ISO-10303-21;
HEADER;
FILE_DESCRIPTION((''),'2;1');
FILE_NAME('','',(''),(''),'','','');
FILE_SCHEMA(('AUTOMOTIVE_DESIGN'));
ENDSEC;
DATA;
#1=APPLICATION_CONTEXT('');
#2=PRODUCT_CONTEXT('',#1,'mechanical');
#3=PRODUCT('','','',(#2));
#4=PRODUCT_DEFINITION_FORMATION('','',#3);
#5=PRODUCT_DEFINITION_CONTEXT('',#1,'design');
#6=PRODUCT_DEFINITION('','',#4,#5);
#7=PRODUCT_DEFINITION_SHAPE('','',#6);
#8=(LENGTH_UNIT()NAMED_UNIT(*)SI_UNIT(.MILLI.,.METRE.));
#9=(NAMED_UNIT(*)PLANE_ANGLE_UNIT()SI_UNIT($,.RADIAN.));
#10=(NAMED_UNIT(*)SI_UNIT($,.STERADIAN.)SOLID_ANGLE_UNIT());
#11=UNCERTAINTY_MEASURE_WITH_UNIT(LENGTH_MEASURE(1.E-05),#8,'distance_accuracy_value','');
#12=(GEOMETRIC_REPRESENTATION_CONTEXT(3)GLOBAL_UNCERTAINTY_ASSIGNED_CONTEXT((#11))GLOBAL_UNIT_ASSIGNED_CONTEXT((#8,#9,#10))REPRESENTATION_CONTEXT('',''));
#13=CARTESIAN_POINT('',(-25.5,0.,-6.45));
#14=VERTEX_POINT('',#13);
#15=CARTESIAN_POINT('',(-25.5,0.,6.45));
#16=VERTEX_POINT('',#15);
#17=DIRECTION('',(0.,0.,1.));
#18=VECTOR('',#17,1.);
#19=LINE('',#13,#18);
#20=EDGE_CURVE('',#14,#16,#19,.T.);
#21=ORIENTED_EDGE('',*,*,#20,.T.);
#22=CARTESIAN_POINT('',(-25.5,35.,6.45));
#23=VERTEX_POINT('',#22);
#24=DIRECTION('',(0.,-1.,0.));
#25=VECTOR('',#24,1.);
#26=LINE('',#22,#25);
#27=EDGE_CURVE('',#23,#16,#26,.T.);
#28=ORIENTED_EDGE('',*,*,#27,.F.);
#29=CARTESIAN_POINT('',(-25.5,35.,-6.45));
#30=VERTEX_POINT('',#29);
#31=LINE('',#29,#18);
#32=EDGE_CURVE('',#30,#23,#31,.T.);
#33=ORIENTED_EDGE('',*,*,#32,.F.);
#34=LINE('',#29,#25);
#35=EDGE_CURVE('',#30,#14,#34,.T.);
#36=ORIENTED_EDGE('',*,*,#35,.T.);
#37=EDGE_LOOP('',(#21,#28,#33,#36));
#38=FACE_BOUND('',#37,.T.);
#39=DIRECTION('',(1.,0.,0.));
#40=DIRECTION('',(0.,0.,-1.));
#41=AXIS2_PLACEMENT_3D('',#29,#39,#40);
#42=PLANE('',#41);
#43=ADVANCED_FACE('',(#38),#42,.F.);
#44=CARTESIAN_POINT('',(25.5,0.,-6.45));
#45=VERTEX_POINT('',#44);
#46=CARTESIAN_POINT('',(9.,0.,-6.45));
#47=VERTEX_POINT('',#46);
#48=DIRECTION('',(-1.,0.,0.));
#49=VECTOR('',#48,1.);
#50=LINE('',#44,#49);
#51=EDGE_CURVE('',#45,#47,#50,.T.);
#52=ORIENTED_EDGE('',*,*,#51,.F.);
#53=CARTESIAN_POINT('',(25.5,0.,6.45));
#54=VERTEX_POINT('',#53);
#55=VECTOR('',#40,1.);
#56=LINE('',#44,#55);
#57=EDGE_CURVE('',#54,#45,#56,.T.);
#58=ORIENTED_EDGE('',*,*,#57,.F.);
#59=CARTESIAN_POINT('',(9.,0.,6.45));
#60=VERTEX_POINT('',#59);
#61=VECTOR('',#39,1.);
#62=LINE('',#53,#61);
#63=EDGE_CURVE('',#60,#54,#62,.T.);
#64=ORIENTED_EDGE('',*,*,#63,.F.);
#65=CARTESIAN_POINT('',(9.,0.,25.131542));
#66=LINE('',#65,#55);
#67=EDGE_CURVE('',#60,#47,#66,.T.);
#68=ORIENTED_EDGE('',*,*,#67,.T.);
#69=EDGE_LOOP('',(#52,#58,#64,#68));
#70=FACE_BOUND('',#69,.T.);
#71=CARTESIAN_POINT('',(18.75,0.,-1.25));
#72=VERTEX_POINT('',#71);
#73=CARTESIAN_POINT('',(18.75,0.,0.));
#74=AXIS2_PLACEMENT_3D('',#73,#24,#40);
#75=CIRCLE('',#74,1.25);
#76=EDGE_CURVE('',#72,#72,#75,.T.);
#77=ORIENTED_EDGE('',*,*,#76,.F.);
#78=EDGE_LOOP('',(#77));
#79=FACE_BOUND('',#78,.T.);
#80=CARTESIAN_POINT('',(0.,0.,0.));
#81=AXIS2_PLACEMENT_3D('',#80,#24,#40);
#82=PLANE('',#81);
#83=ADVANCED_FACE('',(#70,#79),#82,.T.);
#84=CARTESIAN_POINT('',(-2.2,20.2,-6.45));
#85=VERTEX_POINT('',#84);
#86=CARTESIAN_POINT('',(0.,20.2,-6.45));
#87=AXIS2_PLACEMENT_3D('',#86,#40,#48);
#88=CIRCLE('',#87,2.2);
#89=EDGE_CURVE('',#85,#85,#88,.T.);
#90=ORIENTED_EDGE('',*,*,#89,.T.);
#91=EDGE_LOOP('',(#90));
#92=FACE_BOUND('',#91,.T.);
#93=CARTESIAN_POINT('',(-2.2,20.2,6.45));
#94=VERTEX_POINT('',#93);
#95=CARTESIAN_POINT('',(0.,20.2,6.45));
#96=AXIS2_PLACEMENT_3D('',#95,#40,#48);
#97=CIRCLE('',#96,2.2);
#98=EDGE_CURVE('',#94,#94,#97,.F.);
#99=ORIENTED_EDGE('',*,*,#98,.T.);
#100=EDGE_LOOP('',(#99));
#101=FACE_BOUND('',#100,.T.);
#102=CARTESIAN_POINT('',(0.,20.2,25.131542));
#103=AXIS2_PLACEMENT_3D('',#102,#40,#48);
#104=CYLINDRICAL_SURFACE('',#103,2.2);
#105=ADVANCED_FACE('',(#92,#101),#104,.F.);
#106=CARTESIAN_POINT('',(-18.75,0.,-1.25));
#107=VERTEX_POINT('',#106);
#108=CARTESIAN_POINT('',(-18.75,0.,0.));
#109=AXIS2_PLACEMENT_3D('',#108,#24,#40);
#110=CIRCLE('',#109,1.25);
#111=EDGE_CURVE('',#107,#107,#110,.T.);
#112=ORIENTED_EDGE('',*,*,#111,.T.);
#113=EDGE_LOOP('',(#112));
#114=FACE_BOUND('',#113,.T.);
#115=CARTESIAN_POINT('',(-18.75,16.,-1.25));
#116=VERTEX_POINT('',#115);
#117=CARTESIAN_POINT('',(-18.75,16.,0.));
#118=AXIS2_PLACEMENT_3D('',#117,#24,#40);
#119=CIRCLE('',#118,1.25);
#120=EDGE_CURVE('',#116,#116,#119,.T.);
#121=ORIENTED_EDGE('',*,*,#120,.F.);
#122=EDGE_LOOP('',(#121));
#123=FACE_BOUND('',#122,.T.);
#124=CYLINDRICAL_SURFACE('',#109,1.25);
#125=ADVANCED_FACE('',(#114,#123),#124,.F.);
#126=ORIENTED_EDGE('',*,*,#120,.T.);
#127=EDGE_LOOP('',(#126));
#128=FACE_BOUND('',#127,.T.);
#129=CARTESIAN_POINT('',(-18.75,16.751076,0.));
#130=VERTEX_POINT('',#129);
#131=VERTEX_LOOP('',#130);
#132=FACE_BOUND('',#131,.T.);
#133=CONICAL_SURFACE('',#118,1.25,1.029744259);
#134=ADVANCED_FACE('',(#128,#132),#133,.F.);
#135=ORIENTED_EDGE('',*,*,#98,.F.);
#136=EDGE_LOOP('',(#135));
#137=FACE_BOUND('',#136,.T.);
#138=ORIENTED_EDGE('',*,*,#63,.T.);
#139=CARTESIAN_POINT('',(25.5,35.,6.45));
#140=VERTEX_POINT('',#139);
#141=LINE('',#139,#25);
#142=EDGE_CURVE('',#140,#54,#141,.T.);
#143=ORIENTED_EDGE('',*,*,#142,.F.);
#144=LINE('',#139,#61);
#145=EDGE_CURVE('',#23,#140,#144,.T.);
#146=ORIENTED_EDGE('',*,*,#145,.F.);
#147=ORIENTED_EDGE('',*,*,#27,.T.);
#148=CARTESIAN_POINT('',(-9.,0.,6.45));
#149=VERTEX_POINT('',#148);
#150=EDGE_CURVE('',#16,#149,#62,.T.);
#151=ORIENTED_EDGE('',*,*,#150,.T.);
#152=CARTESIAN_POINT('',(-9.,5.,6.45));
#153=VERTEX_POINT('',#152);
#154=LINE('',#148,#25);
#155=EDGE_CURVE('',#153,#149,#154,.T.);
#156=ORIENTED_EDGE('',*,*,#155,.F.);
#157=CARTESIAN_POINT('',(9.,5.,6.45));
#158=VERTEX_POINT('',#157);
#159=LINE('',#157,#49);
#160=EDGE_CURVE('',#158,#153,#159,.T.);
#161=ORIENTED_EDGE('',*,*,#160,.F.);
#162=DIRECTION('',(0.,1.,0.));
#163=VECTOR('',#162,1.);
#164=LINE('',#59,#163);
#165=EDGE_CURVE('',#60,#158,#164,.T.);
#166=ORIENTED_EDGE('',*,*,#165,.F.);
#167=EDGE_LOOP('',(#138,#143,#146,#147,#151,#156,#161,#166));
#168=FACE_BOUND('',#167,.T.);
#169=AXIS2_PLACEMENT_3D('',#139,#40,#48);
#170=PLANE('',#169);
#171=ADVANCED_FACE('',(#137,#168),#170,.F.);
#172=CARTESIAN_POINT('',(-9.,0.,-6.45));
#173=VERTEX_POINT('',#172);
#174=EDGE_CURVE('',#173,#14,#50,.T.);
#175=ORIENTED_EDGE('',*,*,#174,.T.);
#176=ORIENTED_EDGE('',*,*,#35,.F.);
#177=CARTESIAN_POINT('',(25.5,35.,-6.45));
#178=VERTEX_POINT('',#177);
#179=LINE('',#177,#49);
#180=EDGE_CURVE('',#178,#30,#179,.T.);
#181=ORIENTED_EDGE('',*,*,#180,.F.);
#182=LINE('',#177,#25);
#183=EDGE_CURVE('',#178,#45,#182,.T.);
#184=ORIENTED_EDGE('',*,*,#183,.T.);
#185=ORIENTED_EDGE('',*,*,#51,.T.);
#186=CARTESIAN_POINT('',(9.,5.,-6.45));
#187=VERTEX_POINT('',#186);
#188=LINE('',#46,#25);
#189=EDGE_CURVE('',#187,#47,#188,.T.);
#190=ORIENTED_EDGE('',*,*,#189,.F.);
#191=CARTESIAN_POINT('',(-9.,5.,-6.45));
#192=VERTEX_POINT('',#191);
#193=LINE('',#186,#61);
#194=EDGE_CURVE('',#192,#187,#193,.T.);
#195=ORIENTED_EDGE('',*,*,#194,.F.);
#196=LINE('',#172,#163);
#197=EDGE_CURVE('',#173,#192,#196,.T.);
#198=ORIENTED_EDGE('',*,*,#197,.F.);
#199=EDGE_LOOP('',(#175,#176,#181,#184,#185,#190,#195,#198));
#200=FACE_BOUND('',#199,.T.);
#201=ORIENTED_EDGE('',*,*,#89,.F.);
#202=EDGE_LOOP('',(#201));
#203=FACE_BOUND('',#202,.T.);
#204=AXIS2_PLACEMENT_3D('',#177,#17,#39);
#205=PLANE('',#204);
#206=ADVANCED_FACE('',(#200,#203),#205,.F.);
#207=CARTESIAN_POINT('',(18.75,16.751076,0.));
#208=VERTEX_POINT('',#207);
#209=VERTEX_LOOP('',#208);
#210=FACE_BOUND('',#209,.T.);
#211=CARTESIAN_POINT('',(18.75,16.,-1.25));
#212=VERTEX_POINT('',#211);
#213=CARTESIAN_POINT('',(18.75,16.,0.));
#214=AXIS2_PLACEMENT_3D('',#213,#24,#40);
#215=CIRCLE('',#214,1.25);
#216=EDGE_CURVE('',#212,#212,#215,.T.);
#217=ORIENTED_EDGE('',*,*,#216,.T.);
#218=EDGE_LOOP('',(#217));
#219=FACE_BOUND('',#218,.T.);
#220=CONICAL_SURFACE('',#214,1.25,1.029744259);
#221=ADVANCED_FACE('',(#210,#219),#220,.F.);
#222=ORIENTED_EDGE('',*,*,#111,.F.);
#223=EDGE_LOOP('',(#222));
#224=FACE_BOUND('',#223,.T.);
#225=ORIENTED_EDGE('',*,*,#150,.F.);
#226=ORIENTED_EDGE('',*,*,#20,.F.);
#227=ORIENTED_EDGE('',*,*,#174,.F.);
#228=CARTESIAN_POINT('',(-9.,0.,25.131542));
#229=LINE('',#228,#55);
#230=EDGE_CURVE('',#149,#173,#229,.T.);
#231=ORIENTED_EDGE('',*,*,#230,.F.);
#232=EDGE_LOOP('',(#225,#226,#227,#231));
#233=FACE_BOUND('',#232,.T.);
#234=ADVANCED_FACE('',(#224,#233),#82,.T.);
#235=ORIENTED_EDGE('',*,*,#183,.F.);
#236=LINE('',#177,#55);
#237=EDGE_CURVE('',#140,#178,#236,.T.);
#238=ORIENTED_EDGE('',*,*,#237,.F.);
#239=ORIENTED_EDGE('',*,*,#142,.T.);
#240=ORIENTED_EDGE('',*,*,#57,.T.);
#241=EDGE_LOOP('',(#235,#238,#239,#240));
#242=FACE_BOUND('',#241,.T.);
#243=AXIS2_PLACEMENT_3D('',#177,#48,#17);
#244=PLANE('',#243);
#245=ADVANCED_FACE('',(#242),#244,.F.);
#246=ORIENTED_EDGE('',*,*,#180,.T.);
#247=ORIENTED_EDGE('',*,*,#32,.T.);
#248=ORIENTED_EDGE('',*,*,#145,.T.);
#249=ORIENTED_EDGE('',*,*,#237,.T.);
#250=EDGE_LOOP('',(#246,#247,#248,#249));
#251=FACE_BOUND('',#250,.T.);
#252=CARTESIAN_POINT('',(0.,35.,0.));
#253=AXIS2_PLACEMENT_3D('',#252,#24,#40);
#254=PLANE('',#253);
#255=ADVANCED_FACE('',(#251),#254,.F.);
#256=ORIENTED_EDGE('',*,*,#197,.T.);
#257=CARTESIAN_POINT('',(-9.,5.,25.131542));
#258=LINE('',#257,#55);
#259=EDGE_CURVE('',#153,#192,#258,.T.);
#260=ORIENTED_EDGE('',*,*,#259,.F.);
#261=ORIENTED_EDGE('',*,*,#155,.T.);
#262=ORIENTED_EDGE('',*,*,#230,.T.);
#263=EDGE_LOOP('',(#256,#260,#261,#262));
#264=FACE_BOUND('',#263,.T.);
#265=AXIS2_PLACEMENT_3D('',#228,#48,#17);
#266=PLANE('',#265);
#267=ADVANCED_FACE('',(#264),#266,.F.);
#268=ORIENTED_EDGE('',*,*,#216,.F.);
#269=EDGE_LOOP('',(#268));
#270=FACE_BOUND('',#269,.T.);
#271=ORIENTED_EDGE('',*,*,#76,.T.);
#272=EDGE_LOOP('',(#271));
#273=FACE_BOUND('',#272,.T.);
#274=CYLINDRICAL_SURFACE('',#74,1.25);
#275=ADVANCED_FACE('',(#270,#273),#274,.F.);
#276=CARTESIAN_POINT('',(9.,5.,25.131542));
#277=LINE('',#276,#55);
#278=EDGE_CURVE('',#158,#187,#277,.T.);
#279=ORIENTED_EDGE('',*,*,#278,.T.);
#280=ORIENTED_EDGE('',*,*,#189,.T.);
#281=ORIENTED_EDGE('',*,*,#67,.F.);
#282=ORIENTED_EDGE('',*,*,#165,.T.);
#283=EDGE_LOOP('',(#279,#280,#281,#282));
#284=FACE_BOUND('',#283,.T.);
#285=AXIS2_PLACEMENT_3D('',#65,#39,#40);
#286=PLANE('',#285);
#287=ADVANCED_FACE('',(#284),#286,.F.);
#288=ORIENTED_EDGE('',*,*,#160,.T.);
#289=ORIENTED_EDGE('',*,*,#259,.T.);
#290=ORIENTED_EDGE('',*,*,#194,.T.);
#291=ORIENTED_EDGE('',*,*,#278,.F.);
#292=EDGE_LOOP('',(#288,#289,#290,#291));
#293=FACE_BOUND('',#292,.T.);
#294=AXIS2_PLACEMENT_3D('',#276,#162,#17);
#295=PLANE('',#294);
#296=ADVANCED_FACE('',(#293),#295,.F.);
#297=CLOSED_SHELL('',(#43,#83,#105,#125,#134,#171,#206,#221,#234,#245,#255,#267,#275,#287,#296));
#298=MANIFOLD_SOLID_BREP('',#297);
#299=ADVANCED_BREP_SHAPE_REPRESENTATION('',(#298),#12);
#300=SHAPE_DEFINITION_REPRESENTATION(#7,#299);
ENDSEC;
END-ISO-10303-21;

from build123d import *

# Parameters (mm, degrees)
SKETCH2_W                 = 51
SKETCH2_H                 = 12.9
BOSS_EXTRUDE1_DEPTH       = 35
M3X0_5_TAPPED_HOLE1_D     = 2.5
M3X0_5_TAPPED_HOLE1_DEPTH = 16
M3X0_5_TAPPED_HOLE1_TIP   = 0.751075774
SKETCH5_R                 = 2.2
SKETCH5_W                 = 18
SKETCH5_H                 = 5
CUT_EXTRUDE1_DEPTH        = 12.9


with BuildPart() as part:
    # Sketch2 → Boss-Extrude1 (new body)
    with BuildSketch(Plane(origin=(0, 0, 0), x_dir=(1, 0, 0), z_dir=(0, 1, 0))):
        Rectangle(SKETCH2_W, SKETCH2_H)
    extrude(amount=BOSS_EXTRUDE1_DEPTH)

    # M3x0.5 Tapped Hole1
    with Locations(Plane(origin=(0, 0, 0), x_dir=(-1, 0, 0), z_dir=(0, -1, 0))):
        with Locations((-18.75, 0), (18.75, 0)):
            Hole(M3X0_5_TAPPED_HOLE1_D / 2, depth=M3X0_5_TAPPED_HOLE1_DEPTH)
            with Locations((0, 0, -(M3X0_5_TAPPED_HOLE1_DEPTH + M3X0_5_TAPPED_HOLE1_TIP / 2))):  # 118° drill point
                Cone(0, M3X0_5_TAPPED_HOLE1_D / 2, M3X0_5_TAPPED_HOLE1_TIP, mode=Mode.SUBTRACT)

    # Sketch5 → Cut-Extrude1 (cut)
    with BuildSketch(Plane(origin=(0, 0, -6.45), x_dir=(-1, 0, 0), z_dir=(0, 0, -1))):
        with Locations((0, 20.2)):
            Circle(SKETCH5_R)
        with Locations((0, 2.5)):
            Rectangle(SKETCH5_W, SKETCH5_H)
    extrude(amount=-CUT_EXTRUDE1_DEPTH, mode=Mode.SUBTRACT)


solid = part.part
